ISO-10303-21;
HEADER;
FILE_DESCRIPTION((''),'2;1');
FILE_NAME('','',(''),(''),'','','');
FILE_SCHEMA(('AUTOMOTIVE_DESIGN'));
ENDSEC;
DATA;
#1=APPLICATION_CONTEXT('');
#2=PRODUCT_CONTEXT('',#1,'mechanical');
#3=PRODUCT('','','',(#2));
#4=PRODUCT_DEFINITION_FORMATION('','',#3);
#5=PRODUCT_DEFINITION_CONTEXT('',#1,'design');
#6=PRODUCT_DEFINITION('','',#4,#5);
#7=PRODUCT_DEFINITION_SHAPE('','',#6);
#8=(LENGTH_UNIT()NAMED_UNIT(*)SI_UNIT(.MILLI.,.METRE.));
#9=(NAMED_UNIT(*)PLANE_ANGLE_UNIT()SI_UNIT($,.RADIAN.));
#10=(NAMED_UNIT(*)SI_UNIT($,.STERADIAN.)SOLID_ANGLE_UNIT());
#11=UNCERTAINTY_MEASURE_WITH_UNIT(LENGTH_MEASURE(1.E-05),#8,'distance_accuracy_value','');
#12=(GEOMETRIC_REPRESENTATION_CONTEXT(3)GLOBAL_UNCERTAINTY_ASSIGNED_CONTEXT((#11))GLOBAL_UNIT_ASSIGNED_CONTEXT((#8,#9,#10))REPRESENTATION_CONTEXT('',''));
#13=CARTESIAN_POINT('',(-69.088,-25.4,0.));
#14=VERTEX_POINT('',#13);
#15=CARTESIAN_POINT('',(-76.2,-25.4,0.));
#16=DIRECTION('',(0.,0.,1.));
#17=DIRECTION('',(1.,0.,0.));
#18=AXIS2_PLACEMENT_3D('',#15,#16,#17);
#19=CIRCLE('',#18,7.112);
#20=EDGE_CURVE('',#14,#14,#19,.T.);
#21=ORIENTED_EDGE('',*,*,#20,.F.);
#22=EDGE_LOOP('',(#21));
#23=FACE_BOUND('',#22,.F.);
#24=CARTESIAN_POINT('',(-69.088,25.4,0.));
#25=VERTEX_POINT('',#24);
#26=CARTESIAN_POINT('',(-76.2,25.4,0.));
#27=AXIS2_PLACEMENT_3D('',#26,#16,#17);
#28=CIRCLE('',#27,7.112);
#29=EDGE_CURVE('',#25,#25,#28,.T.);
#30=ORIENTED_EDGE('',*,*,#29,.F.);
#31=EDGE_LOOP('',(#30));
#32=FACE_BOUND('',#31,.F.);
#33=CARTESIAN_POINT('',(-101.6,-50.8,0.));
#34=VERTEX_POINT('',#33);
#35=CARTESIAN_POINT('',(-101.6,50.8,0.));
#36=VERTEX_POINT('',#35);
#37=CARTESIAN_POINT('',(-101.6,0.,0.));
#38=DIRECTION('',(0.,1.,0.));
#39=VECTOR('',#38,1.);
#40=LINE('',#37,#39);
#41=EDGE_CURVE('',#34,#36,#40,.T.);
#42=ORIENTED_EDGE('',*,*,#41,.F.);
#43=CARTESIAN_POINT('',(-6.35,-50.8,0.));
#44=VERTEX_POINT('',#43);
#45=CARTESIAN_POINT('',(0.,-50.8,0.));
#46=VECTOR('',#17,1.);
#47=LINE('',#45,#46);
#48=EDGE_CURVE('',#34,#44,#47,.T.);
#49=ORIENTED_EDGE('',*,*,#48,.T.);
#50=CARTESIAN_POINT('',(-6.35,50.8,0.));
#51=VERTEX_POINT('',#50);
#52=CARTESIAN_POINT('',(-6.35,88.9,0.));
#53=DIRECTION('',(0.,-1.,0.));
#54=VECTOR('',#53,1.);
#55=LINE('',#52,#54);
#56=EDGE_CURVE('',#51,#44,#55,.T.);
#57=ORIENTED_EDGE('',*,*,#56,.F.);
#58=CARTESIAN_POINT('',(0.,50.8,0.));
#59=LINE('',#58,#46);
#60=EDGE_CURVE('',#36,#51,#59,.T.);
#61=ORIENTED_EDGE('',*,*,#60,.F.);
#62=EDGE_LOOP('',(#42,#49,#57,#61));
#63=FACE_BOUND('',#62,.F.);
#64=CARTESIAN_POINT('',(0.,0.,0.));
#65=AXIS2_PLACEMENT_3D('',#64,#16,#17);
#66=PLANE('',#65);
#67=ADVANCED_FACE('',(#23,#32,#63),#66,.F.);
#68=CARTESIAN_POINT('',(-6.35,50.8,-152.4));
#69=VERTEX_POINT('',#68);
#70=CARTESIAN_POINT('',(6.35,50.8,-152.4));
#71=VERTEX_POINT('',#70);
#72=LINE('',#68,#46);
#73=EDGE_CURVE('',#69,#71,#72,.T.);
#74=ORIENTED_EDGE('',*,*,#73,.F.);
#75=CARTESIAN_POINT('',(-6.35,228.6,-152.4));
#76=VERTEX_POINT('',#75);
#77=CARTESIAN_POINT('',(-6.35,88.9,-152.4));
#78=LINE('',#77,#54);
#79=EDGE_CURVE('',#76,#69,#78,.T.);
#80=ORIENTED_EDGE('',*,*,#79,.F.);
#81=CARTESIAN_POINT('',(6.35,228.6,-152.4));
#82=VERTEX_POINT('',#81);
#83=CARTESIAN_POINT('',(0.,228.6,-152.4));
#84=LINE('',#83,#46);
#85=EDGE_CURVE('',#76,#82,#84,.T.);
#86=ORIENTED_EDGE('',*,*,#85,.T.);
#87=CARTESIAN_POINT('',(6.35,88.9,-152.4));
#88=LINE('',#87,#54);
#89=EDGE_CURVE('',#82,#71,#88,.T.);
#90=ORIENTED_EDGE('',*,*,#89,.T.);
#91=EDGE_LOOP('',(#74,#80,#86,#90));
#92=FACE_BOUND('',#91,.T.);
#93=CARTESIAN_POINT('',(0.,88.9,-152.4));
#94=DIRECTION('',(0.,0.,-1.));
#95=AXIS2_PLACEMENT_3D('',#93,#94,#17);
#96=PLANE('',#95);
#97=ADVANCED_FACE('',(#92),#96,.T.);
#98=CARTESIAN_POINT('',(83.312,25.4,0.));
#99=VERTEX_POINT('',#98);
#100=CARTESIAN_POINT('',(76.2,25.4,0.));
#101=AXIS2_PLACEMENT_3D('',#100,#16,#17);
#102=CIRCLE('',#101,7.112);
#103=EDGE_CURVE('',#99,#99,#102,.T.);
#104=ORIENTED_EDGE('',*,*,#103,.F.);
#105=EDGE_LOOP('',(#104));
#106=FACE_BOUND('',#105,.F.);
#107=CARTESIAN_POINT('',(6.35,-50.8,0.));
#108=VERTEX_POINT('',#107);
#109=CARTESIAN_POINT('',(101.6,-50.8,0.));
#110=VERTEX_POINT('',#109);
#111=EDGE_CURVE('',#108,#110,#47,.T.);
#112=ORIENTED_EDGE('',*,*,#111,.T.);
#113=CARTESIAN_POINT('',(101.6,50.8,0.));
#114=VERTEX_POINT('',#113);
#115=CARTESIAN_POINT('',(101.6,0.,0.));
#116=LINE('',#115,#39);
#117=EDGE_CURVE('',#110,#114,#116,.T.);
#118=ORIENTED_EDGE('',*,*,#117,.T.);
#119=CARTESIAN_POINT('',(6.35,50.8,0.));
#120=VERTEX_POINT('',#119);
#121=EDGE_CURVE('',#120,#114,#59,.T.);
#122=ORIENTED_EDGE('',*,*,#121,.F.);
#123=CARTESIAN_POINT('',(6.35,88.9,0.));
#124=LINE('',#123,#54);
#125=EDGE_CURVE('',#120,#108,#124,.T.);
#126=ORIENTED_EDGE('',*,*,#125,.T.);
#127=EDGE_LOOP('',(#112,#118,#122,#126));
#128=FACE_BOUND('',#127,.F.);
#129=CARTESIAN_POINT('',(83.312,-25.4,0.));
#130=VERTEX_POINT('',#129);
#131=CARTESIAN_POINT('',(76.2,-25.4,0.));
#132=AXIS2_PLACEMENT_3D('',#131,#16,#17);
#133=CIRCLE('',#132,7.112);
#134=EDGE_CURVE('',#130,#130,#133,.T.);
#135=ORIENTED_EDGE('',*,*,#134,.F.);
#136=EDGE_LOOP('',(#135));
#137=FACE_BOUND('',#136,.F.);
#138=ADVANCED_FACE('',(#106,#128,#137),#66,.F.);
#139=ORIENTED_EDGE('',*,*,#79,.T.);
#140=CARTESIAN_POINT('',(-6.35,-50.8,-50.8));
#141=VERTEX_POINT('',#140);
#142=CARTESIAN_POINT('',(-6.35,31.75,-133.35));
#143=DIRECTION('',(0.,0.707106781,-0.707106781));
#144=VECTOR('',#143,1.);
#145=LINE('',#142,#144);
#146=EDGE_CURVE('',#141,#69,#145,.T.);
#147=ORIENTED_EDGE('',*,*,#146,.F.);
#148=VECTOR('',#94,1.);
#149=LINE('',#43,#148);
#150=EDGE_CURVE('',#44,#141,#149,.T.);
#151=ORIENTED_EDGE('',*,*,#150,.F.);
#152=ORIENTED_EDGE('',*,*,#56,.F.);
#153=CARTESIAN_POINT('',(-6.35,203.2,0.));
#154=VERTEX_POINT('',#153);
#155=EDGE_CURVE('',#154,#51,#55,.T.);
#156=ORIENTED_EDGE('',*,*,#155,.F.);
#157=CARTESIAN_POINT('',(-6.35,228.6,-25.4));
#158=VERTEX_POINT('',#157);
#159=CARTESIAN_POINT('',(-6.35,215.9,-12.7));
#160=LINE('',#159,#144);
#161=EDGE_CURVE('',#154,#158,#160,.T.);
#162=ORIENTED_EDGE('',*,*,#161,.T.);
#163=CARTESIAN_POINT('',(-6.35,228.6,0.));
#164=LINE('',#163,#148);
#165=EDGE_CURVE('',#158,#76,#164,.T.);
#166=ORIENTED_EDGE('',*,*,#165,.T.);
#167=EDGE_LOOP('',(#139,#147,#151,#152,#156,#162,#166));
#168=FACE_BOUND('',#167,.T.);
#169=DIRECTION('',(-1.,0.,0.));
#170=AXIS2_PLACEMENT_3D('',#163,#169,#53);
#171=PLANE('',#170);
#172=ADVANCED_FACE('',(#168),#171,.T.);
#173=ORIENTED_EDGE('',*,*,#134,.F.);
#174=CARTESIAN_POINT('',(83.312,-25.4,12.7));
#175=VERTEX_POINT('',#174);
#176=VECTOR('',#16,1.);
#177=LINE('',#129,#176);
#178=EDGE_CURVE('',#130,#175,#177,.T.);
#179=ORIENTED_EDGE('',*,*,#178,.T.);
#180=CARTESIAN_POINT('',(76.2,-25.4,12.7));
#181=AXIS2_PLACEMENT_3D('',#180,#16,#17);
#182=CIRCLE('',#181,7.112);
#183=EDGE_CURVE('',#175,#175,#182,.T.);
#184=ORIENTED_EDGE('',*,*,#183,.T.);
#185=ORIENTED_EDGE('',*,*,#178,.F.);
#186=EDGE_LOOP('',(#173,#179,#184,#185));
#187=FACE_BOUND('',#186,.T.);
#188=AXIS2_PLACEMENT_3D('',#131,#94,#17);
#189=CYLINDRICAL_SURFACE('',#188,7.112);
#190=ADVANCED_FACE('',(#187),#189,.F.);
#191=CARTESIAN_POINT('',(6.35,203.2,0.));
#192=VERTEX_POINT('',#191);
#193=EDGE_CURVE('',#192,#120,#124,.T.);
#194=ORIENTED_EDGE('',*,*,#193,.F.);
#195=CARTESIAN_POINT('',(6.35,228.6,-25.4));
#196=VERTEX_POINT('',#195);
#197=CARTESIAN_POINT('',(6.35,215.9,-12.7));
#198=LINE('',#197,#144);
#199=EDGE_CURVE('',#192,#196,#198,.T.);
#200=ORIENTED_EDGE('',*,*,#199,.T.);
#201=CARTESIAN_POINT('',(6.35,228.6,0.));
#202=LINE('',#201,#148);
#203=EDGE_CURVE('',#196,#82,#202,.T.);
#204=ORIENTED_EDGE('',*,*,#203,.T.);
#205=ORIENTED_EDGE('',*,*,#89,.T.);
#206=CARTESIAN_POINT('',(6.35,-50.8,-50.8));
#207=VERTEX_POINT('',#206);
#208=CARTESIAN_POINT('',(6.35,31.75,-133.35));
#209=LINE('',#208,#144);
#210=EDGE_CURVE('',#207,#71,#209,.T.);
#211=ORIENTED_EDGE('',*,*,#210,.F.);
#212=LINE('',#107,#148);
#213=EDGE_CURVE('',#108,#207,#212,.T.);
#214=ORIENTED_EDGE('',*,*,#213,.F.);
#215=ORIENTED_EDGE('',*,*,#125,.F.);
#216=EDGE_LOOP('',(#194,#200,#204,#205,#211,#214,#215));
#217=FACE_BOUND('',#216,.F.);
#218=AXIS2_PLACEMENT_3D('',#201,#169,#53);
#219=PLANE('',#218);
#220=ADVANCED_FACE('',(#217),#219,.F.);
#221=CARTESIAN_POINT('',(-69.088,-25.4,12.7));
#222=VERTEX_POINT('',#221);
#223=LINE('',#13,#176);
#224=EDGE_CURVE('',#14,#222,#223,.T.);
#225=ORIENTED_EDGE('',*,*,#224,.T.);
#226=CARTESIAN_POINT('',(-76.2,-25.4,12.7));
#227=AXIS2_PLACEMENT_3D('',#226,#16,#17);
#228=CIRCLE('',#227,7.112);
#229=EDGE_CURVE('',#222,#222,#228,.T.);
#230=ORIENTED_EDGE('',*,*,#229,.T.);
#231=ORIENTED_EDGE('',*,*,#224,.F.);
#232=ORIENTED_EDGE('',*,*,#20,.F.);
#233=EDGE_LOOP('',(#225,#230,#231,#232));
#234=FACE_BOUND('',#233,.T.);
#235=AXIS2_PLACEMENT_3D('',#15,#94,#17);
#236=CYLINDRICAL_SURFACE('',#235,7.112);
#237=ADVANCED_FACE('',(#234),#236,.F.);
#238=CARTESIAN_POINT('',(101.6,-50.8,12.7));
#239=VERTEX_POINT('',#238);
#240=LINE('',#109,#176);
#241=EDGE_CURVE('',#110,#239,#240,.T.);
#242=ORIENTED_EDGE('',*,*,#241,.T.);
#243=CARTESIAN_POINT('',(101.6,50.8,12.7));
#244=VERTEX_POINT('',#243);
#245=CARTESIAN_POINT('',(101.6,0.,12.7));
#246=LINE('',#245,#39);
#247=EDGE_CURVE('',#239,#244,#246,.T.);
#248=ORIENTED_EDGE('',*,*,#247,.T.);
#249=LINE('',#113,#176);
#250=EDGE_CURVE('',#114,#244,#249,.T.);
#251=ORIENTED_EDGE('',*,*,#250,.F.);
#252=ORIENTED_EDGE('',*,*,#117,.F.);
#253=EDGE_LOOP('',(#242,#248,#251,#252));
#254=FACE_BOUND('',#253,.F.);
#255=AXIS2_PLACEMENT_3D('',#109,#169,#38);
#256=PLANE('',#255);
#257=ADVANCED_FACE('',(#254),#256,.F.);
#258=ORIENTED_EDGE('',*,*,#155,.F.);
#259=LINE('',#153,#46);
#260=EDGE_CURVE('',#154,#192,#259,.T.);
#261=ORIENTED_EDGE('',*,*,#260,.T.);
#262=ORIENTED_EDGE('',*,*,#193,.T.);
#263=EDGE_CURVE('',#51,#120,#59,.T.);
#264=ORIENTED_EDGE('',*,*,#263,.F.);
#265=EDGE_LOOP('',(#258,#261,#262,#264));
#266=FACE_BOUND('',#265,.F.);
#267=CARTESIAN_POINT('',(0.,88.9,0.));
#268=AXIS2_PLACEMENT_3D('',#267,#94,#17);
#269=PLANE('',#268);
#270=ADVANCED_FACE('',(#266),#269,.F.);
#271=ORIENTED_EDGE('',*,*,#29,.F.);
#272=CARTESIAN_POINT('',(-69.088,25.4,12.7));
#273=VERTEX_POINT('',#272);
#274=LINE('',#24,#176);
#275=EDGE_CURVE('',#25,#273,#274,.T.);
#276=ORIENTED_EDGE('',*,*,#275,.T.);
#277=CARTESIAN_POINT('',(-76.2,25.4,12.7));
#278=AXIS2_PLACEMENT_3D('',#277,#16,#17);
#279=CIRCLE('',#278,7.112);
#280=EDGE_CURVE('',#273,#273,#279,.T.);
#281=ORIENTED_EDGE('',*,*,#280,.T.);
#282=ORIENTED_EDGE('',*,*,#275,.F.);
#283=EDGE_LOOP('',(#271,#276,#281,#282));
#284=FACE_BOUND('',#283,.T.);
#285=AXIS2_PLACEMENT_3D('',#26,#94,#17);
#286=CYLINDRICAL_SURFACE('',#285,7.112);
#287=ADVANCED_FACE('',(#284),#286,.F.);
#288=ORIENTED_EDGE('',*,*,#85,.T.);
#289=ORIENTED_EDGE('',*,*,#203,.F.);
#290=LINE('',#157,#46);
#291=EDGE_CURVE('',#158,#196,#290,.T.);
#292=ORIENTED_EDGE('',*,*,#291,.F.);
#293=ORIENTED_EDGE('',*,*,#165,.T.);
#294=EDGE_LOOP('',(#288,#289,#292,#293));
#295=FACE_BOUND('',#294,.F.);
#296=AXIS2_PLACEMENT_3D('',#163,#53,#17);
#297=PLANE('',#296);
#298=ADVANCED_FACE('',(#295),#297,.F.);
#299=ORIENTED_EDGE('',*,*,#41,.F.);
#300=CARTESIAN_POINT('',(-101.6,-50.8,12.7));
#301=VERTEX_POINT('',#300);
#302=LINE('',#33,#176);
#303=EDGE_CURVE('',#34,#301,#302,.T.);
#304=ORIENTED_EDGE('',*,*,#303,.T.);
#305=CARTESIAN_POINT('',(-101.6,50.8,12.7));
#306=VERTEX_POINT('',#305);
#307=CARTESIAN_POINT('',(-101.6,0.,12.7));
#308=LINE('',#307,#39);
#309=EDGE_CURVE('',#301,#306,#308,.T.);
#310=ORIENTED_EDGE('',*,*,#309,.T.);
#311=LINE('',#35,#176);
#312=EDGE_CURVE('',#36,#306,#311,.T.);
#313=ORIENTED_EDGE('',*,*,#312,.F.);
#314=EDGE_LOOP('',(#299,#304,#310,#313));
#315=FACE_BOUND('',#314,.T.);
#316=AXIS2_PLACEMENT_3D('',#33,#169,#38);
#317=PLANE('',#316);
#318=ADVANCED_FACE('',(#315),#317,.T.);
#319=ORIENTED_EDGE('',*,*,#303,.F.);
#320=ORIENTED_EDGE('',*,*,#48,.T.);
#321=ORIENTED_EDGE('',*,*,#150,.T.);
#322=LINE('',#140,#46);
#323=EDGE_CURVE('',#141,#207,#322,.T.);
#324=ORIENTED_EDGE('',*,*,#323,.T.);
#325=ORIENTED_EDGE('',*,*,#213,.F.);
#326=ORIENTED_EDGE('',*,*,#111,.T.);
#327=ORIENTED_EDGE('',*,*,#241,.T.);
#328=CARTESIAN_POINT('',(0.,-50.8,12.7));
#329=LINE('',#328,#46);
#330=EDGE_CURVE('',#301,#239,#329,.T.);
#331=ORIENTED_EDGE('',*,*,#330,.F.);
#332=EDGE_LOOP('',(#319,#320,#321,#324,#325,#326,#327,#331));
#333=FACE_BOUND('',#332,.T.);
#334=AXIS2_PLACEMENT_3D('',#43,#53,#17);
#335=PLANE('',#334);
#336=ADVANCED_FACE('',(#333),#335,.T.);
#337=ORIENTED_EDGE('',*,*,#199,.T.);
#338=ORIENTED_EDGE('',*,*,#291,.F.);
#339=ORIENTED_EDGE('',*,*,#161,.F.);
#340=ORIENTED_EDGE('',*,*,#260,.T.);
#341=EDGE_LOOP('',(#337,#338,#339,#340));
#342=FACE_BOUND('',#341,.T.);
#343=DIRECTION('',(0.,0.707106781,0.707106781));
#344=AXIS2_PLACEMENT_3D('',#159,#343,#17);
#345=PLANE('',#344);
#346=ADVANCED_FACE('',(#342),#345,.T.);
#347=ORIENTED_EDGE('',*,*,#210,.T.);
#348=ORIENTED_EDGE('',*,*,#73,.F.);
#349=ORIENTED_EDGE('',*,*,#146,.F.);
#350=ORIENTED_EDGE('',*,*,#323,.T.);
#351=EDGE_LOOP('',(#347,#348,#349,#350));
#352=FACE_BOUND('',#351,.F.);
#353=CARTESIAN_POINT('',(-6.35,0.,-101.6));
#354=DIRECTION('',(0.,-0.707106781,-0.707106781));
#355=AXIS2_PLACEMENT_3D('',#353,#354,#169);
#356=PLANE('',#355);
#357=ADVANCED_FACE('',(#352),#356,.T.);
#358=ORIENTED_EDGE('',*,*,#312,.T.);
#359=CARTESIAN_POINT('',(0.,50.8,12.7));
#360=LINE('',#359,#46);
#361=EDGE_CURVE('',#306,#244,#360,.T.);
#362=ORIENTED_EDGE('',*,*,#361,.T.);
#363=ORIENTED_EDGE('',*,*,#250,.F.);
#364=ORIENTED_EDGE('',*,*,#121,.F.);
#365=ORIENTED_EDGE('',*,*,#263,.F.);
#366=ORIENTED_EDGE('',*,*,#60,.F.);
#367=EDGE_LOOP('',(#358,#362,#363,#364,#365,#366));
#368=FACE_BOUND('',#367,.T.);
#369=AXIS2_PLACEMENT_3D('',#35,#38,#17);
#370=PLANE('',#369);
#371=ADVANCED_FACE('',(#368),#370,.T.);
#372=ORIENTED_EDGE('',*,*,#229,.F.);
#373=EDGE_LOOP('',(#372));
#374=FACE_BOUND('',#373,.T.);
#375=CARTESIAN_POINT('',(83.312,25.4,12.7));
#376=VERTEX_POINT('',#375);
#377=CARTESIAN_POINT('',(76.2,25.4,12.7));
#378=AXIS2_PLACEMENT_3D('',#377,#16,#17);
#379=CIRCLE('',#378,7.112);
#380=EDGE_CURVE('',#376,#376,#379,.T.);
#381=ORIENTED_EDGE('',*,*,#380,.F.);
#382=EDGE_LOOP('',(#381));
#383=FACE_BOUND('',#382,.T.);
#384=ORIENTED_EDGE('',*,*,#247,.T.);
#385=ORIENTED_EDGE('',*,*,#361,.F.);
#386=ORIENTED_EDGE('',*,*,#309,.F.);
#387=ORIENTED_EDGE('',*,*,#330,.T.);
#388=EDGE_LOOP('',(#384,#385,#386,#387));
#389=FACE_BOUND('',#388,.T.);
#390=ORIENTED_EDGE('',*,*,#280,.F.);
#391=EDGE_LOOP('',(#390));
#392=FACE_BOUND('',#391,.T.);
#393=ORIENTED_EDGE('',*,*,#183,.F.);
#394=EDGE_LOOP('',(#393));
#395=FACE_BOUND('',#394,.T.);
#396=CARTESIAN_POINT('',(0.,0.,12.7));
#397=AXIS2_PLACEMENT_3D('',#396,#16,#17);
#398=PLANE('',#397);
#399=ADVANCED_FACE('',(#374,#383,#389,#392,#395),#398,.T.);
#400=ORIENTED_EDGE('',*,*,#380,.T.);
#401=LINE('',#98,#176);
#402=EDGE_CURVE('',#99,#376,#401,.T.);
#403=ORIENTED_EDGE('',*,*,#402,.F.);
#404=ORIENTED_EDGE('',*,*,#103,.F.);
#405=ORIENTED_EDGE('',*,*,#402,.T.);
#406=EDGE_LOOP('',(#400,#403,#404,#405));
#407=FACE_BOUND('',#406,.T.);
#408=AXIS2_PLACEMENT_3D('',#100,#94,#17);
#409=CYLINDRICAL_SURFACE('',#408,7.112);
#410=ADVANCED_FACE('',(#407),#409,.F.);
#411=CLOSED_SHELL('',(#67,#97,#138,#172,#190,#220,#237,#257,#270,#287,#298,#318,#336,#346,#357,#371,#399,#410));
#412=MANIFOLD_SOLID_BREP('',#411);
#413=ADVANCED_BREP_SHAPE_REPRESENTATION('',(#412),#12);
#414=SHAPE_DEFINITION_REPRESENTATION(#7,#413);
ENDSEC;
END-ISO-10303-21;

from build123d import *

# Parameters (mm, degrees)
F0_W     = 203.2
F0_H     = 101.6
F0_R     = 7.112
F1_DEPTH = 12.7
F2_W     = 12.7
F2_H     = 279.4
F3_DEPTH = 152.4
F4_SIZE  = 101.6
F5_SIZE  = 25.4


with BuildPart() as f1:
    # F0 (on Top) → F1 (new body)
    with BuildSketch(Plane.XY):
        Rectangle(F0_W, F0_H)
        with Locations((-76.2, -25.4)):
            Circle(F0_R, mode=Mode.SUBTRACT)
        with Locations((76.2, -25.4)):
            Circle(F0_R, mode=Mode.SUBTRACT)
        with Locations((-76.2, 25.4)):
            Circle(F0_R, mode=Mode.SUBTRACT)
        with Locations((76.2, 25.4)):
            Circle(F0_R, mode=Mode.SUBTRACT)
    extrude(amount=F1_DEPTH)

    # F2 (on face) → F3 (join)
    with BuildSketch(Plane(origin=(0, 0, 0), x_dir=(1, 0, 0), z_dir=(0, 0, -1))):
        with Locations((0, -88.9)):
            Rectangle(F2_W, F2_H)
    extrude(amount=F3_DEPTH)

    # F4
    f4_edges = [f1.edges().sort_by_distance(p)[0] for p in [
        (0, -50.8, -152.4),
    ]]
    chamfer(f4_edges, length=F4_SIZE)

    # F5
    f5_edges = [f1.edges().sort_by_distance(p)[0] for p in [
        (0, 228.6, 0),
    ]]
    chamfer(f5_edges, length=F5_SIZE)


solid = f1.part
